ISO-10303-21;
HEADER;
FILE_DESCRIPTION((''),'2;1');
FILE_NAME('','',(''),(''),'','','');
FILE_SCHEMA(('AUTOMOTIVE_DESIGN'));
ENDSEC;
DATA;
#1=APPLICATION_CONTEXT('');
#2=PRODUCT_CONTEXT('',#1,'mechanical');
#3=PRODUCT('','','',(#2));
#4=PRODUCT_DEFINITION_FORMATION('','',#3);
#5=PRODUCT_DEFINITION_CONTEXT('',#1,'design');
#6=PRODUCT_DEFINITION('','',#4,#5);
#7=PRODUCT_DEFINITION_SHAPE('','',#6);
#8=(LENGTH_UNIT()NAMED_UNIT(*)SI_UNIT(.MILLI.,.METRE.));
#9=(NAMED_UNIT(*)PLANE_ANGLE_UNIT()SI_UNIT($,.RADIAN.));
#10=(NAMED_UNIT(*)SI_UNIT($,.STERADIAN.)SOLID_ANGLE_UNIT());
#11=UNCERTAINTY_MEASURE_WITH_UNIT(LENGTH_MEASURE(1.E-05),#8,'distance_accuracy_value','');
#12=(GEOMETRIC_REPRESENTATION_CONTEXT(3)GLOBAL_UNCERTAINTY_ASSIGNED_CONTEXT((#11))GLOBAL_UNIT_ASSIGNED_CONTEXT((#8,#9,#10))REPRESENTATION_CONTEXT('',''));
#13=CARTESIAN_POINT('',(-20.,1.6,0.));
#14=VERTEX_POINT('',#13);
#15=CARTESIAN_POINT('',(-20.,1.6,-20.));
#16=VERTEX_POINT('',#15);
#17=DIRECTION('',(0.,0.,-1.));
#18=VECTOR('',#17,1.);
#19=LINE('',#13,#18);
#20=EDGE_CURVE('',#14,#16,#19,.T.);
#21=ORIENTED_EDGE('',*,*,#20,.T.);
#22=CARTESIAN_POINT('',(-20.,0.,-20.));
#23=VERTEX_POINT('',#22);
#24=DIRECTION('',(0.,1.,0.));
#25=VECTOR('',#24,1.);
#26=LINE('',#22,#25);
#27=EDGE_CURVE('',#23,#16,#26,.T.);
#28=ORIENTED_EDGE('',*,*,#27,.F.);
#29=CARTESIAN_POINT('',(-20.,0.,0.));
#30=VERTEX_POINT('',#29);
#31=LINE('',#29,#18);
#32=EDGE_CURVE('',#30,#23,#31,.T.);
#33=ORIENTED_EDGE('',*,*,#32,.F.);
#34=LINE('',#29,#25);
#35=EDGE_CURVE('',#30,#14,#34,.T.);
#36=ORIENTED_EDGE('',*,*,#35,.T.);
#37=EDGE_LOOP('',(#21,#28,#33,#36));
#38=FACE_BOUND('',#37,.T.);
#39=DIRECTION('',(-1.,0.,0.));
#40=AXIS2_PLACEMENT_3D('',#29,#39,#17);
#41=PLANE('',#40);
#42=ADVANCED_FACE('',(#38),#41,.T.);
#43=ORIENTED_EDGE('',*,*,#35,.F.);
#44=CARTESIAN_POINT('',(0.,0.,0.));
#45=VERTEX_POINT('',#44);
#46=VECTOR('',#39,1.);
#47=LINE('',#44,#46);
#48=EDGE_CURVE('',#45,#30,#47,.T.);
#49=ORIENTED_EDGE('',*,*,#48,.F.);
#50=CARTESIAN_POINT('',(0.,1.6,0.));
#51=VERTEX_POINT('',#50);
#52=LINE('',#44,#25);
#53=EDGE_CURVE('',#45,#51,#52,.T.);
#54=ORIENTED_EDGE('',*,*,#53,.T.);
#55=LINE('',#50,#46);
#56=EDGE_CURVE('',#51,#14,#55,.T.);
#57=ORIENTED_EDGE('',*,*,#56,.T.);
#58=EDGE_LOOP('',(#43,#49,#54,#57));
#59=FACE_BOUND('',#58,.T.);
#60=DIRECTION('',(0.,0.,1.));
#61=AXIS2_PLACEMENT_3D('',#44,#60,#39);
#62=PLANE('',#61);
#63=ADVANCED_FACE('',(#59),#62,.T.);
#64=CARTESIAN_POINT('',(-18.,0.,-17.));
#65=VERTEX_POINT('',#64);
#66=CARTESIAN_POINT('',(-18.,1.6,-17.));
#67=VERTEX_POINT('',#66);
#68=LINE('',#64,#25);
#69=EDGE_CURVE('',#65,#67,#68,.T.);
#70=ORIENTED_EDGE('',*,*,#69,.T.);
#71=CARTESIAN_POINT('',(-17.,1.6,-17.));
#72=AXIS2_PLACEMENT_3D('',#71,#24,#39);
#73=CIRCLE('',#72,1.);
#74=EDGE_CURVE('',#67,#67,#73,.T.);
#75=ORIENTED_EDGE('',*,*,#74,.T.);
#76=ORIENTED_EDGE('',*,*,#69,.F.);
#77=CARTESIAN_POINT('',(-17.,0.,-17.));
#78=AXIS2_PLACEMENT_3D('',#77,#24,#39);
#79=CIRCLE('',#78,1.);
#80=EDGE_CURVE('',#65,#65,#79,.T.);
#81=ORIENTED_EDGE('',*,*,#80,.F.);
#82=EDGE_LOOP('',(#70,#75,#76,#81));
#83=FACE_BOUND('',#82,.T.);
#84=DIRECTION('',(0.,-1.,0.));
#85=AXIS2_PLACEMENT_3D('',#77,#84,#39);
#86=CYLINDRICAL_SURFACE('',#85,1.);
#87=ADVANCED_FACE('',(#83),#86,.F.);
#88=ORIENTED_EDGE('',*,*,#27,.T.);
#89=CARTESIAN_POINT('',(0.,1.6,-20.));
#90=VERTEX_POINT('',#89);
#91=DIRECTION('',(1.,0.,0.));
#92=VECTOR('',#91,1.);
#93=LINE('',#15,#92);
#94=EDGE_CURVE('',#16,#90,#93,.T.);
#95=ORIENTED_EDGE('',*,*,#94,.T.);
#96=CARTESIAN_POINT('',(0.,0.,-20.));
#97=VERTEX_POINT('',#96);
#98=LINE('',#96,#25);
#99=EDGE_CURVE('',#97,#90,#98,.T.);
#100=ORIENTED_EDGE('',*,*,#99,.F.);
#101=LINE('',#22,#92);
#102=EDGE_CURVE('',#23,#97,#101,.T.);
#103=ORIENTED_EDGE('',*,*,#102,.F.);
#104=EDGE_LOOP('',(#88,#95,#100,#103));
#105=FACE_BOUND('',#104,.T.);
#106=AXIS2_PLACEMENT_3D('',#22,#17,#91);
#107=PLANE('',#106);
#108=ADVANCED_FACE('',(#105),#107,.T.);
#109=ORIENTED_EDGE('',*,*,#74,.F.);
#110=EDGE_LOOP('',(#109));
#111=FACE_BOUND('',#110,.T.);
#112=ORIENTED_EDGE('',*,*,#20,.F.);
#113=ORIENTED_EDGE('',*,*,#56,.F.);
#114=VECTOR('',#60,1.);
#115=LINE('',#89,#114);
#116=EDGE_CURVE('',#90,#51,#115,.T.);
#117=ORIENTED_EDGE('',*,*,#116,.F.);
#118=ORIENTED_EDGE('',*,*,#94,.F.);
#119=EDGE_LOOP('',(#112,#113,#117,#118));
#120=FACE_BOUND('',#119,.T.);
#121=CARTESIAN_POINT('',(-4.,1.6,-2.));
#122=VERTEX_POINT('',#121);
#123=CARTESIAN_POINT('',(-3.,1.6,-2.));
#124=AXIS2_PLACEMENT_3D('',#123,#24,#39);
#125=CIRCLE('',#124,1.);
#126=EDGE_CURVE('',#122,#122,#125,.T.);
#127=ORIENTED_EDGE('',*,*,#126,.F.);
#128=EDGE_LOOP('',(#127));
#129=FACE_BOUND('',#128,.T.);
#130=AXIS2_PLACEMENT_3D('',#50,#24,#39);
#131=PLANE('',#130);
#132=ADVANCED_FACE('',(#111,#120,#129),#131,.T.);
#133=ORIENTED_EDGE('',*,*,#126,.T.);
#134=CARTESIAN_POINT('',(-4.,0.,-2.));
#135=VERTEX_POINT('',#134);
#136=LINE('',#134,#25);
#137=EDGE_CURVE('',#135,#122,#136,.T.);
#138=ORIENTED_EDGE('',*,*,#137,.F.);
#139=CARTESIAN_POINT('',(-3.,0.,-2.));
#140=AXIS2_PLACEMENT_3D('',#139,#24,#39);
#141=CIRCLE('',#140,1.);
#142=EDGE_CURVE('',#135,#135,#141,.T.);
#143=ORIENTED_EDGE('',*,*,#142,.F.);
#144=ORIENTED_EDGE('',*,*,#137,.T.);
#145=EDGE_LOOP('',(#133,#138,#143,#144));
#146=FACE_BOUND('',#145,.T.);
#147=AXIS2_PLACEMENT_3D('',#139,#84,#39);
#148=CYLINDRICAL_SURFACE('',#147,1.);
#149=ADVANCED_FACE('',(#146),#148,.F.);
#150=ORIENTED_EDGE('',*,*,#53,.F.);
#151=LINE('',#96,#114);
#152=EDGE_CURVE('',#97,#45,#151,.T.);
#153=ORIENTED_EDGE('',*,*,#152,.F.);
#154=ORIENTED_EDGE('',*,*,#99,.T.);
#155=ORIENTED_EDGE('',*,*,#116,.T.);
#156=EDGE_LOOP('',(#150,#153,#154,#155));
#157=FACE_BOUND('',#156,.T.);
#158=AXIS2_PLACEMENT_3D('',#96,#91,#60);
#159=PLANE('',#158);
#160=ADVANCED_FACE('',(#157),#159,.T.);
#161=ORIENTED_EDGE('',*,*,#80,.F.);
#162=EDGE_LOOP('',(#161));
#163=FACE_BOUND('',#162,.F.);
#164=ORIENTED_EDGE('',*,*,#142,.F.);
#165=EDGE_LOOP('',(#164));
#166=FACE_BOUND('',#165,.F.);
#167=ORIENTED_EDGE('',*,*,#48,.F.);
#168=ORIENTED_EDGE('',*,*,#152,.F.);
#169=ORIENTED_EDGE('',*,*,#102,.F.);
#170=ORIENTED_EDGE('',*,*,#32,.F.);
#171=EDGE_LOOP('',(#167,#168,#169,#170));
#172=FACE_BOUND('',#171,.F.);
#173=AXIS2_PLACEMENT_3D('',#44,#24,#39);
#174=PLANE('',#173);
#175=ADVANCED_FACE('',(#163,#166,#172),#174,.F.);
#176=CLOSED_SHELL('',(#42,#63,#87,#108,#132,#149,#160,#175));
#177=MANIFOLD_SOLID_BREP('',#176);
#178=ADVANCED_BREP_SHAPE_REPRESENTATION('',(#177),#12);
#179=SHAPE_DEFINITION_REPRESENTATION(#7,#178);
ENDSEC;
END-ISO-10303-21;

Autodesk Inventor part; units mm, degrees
ref_plane "YZ Plane" through (0, 0, 0) normal (1, 0, 0) x (0, 1, 0)
ref_plane "XZ Plane" through (0, 0, 0) normal (0, 1, 0) x (-1, 0, 0)
ref_plane "XY Plane" through (0, 0, 0) normal (0, 0, 1) x (1, 0, 0)
sketch "Szkic1" plane through (0, 0, 0) normal (0, 1, 0) x (-1, 0, 0)
  line L0 (0, 0) -> (20, 0)
  line L1 (20, 0) -> (20, -20)
  line L2 (20, -20) -> (0, -20)
  line L3 (0, -20) -> (0, 0)
  circle A0 centre (3, -2) radius 1
  circle A1 centre (17, -17) radius 1
  dimension "d0" = 20
  dimension "d1" = 20
  dimension "d2" = 2
extrude "Wyciągnięcie proste1" add sketch "Szkic1" along normal blind 1.6
properties part number "testowa"
